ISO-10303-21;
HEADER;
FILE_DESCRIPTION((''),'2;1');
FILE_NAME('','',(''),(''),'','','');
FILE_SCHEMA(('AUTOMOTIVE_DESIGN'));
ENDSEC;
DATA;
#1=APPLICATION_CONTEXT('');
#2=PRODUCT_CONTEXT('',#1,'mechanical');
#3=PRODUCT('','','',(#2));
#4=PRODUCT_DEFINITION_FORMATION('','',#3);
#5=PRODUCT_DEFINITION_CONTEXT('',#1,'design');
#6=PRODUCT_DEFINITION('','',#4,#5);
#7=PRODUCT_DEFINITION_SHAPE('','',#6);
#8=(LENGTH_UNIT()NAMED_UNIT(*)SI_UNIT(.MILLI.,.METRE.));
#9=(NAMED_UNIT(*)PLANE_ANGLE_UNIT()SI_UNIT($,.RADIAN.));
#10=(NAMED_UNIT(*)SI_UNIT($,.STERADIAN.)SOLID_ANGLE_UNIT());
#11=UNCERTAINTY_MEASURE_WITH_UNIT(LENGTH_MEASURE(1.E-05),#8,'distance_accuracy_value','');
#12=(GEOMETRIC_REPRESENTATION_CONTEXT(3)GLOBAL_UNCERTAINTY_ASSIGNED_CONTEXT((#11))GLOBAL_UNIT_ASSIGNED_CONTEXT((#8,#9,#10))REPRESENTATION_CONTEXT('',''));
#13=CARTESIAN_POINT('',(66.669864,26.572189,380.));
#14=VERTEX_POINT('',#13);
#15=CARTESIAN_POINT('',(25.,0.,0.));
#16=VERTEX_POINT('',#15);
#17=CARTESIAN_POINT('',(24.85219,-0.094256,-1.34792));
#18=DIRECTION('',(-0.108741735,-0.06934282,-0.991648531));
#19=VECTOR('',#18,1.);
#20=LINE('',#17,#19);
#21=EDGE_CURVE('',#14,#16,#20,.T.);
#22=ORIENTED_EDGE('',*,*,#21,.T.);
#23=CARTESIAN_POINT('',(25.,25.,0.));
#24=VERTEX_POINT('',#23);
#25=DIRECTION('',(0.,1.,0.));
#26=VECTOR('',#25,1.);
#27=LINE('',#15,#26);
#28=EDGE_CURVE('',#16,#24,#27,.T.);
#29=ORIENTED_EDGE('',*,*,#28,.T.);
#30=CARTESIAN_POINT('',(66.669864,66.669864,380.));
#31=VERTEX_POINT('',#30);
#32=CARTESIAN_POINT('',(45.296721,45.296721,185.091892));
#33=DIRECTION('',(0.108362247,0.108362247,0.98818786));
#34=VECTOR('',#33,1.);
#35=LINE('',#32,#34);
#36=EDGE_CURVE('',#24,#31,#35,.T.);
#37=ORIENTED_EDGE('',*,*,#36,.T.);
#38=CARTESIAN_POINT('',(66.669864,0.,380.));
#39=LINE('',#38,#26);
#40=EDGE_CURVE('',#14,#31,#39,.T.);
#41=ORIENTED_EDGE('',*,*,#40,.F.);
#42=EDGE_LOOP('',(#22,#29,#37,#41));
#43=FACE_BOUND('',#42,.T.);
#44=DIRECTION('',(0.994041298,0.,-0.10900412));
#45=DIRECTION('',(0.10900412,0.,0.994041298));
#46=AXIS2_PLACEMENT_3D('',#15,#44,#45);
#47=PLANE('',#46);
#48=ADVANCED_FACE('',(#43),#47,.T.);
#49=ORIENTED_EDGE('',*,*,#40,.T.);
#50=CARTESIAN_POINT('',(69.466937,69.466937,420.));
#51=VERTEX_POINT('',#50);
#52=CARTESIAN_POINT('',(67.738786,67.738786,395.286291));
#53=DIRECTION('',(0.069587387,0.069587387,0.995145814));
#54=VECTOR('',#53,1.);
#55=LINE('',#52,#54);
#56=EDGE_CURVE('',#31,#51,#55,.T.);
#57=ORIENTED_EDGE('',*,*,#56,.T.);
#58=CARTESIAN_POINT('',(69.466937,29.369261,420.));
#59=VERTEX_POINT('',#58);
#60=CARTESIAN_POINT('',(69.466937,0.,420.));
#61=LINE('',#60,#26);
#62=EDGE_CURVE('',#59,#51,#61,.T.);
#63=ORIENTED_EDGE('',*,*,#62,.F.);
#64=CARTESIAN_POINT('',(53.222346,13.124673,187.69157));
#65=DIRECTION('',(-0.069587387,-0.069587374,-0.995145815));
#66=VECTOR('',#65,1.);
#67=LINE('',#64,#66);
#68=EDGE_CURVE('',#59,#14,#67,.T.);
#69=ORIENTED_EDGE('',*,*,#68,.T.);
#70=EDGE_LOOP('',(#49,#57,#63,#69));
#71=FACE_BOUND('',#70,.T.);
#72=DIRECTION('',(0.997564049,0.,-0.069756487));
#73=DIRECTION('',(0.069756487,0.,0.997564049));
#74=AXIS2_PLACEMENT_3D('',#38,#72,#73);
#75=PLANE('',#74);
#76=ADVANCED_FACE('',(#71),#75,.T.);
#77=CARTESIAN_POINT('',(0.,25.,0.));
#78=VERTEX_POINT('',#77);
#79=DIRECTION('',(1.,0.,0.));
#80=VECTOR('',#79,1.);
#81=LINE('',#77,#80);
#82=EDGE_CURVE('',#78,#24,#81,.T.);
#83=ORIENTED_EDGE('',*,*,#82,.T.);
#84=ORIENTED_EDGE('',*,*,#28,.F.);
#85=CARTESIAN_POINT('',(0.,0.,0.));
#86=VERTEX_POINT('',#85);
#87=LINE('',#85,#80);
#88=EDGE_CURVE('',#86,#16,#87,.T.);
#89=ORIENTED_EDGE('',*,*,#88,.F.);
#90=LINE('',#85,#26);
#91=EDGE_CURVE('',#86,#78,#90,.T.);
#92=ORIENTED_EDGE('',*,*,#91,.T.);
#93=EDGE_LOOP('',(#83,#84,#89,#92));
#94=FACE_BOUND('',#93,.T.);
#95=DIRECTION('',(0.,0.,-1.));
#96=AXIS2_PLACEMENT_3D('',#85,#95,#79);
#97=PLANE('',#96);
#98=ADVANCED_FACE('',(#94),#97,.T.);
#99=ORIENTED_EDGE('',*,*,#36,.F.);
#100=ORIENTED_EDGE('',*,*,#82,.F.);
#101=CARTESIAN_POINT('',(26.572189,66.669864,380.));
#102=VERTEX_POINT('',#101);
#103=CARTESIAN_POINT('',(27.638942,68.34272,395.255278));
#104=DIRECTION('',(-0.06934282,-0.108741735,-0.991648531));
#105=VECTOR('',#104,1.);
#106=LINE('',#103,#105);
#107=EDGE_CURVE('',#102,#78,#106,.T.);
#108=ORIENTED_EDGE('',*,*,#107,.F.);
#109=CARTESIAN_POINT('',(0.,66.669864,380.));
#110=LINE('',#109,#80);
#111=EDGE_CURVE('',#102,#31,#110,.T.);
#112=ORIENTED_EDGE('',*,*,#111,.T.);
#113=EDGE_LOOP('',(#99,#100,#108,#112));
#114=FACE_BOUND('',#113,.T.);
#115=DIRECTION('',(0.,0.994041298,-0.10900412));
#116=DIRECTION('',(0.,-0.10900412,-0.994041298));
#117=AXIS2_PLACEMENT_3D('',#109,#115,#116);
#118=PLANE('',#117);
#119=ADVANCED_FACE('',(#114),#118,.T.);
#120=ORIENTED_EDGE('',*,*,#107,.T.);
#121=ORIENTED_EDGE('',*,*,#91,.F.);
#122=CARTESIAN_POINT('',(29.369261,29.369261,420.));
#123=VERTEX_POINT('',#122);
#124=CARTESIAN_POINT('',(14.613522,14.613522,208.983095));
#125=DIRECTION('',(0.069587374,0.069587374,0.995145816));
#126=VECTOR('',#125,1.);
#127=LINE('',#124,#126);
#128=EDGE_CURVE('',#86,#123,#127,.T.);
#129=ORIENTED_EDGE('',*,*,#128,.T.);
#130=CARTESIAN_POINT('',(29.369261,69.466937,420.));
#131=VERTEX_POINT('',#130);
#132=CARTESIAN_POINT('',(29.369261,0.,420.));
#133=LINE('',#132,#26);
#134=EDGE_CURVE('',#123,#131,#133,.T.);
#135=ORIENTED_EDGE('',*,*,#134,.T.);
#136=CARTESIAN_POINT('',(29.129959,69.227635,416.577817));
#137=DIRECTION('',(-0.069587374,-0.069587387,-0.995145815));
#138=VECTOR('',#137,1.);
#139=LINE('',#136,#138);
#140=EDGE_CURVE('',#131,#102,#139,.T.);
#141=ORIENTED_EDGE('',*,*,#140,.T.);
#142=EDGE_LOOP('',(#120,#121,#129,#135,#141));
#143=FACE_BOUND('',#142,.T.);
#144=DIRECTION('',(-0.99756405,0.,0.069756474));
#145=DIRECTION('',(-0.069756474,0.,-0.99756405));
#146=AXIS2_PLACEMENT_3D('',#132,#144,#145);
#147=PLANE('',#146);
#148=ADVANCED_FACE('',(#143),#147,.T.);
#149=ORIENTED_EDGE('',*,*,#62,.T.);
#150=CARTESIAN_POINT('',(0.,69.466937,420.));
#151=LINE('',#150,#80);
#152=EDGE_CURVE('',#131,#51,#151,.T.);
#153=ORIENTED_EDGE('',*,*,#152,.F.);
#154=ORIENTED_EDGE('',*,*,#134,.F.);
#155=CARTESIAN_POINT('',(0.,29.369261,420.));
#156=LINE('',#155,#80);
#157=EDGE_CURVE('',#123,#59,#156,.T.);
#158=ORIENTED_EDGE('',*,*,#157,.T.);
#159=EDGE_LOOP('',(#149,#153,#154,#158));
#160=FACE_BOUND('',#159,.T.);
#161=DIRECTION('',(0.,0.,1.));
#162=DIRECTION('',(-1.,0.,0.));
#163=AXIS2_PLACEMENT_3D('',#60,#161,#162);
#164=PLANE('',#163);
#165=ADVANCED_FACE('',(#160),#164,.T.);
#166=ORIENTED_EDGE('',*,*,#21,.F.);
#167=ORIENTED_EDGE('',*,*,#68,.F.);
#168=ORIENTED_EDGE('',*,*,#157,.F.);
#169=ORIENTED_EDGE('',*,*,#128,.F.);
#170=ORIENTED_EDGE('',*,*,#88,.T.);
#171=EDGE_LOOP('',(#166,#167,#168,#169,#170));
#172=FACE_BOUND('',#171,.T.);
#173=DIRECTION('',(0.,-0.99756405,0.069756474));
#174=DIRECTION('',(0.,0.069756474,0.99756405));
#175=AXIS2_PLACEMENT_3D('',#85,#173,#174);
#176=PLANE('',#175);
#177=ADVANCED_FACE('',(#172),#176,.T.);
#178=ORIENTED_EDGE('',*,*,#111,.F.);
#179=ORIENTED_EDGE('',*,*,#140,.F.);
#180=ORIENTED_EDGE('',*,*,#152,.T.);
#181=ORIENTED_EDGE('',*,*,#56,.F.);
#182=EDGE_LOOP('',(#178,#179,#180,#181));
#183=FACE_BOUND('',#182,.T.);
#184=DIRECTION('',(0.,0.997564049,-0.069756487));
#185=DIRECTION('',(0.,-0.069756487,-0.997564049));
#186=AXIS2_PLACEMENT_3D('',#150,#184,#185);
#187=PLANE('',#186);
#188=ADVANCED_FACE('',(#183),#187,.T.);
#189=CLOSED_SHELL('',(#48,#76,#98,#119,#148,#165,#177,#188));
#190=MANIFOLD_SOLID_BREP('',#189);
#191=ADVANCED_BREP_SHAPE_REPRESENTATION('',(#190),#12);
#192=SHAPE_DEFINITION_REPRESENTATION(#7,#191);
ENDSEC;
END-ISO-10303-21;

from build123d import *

# Parameters (mm, degrees)
F1_DEPTH = 70
F3_DEPTH = 240


with BuildPart() as f1:
    # F0 (on Front) → F1 (new body)
    with BuildSketch(Plane.XZ):
        Polygon((29.369261, 420), (0, 0), (25, 0), (66.669864, 380), (69.466937, 420), align=None)
    extrude(amount=-F1_DEPTH)

    # F2 (on Right) → F3 (cut)
    with BuildSketch(Plane.YZ):
        Polygon((0, 420), (0, 0), (29.369261, 420), align=None)
        Polygon((66.669864, 380), (25, 0), (81.181459, -12.978577), (73.105134, 420), (69.466937, 420), align=None)
    extrude(amount=F3_DEPTH, mode=Mode.SUBTRACT)


solid = f1.part
